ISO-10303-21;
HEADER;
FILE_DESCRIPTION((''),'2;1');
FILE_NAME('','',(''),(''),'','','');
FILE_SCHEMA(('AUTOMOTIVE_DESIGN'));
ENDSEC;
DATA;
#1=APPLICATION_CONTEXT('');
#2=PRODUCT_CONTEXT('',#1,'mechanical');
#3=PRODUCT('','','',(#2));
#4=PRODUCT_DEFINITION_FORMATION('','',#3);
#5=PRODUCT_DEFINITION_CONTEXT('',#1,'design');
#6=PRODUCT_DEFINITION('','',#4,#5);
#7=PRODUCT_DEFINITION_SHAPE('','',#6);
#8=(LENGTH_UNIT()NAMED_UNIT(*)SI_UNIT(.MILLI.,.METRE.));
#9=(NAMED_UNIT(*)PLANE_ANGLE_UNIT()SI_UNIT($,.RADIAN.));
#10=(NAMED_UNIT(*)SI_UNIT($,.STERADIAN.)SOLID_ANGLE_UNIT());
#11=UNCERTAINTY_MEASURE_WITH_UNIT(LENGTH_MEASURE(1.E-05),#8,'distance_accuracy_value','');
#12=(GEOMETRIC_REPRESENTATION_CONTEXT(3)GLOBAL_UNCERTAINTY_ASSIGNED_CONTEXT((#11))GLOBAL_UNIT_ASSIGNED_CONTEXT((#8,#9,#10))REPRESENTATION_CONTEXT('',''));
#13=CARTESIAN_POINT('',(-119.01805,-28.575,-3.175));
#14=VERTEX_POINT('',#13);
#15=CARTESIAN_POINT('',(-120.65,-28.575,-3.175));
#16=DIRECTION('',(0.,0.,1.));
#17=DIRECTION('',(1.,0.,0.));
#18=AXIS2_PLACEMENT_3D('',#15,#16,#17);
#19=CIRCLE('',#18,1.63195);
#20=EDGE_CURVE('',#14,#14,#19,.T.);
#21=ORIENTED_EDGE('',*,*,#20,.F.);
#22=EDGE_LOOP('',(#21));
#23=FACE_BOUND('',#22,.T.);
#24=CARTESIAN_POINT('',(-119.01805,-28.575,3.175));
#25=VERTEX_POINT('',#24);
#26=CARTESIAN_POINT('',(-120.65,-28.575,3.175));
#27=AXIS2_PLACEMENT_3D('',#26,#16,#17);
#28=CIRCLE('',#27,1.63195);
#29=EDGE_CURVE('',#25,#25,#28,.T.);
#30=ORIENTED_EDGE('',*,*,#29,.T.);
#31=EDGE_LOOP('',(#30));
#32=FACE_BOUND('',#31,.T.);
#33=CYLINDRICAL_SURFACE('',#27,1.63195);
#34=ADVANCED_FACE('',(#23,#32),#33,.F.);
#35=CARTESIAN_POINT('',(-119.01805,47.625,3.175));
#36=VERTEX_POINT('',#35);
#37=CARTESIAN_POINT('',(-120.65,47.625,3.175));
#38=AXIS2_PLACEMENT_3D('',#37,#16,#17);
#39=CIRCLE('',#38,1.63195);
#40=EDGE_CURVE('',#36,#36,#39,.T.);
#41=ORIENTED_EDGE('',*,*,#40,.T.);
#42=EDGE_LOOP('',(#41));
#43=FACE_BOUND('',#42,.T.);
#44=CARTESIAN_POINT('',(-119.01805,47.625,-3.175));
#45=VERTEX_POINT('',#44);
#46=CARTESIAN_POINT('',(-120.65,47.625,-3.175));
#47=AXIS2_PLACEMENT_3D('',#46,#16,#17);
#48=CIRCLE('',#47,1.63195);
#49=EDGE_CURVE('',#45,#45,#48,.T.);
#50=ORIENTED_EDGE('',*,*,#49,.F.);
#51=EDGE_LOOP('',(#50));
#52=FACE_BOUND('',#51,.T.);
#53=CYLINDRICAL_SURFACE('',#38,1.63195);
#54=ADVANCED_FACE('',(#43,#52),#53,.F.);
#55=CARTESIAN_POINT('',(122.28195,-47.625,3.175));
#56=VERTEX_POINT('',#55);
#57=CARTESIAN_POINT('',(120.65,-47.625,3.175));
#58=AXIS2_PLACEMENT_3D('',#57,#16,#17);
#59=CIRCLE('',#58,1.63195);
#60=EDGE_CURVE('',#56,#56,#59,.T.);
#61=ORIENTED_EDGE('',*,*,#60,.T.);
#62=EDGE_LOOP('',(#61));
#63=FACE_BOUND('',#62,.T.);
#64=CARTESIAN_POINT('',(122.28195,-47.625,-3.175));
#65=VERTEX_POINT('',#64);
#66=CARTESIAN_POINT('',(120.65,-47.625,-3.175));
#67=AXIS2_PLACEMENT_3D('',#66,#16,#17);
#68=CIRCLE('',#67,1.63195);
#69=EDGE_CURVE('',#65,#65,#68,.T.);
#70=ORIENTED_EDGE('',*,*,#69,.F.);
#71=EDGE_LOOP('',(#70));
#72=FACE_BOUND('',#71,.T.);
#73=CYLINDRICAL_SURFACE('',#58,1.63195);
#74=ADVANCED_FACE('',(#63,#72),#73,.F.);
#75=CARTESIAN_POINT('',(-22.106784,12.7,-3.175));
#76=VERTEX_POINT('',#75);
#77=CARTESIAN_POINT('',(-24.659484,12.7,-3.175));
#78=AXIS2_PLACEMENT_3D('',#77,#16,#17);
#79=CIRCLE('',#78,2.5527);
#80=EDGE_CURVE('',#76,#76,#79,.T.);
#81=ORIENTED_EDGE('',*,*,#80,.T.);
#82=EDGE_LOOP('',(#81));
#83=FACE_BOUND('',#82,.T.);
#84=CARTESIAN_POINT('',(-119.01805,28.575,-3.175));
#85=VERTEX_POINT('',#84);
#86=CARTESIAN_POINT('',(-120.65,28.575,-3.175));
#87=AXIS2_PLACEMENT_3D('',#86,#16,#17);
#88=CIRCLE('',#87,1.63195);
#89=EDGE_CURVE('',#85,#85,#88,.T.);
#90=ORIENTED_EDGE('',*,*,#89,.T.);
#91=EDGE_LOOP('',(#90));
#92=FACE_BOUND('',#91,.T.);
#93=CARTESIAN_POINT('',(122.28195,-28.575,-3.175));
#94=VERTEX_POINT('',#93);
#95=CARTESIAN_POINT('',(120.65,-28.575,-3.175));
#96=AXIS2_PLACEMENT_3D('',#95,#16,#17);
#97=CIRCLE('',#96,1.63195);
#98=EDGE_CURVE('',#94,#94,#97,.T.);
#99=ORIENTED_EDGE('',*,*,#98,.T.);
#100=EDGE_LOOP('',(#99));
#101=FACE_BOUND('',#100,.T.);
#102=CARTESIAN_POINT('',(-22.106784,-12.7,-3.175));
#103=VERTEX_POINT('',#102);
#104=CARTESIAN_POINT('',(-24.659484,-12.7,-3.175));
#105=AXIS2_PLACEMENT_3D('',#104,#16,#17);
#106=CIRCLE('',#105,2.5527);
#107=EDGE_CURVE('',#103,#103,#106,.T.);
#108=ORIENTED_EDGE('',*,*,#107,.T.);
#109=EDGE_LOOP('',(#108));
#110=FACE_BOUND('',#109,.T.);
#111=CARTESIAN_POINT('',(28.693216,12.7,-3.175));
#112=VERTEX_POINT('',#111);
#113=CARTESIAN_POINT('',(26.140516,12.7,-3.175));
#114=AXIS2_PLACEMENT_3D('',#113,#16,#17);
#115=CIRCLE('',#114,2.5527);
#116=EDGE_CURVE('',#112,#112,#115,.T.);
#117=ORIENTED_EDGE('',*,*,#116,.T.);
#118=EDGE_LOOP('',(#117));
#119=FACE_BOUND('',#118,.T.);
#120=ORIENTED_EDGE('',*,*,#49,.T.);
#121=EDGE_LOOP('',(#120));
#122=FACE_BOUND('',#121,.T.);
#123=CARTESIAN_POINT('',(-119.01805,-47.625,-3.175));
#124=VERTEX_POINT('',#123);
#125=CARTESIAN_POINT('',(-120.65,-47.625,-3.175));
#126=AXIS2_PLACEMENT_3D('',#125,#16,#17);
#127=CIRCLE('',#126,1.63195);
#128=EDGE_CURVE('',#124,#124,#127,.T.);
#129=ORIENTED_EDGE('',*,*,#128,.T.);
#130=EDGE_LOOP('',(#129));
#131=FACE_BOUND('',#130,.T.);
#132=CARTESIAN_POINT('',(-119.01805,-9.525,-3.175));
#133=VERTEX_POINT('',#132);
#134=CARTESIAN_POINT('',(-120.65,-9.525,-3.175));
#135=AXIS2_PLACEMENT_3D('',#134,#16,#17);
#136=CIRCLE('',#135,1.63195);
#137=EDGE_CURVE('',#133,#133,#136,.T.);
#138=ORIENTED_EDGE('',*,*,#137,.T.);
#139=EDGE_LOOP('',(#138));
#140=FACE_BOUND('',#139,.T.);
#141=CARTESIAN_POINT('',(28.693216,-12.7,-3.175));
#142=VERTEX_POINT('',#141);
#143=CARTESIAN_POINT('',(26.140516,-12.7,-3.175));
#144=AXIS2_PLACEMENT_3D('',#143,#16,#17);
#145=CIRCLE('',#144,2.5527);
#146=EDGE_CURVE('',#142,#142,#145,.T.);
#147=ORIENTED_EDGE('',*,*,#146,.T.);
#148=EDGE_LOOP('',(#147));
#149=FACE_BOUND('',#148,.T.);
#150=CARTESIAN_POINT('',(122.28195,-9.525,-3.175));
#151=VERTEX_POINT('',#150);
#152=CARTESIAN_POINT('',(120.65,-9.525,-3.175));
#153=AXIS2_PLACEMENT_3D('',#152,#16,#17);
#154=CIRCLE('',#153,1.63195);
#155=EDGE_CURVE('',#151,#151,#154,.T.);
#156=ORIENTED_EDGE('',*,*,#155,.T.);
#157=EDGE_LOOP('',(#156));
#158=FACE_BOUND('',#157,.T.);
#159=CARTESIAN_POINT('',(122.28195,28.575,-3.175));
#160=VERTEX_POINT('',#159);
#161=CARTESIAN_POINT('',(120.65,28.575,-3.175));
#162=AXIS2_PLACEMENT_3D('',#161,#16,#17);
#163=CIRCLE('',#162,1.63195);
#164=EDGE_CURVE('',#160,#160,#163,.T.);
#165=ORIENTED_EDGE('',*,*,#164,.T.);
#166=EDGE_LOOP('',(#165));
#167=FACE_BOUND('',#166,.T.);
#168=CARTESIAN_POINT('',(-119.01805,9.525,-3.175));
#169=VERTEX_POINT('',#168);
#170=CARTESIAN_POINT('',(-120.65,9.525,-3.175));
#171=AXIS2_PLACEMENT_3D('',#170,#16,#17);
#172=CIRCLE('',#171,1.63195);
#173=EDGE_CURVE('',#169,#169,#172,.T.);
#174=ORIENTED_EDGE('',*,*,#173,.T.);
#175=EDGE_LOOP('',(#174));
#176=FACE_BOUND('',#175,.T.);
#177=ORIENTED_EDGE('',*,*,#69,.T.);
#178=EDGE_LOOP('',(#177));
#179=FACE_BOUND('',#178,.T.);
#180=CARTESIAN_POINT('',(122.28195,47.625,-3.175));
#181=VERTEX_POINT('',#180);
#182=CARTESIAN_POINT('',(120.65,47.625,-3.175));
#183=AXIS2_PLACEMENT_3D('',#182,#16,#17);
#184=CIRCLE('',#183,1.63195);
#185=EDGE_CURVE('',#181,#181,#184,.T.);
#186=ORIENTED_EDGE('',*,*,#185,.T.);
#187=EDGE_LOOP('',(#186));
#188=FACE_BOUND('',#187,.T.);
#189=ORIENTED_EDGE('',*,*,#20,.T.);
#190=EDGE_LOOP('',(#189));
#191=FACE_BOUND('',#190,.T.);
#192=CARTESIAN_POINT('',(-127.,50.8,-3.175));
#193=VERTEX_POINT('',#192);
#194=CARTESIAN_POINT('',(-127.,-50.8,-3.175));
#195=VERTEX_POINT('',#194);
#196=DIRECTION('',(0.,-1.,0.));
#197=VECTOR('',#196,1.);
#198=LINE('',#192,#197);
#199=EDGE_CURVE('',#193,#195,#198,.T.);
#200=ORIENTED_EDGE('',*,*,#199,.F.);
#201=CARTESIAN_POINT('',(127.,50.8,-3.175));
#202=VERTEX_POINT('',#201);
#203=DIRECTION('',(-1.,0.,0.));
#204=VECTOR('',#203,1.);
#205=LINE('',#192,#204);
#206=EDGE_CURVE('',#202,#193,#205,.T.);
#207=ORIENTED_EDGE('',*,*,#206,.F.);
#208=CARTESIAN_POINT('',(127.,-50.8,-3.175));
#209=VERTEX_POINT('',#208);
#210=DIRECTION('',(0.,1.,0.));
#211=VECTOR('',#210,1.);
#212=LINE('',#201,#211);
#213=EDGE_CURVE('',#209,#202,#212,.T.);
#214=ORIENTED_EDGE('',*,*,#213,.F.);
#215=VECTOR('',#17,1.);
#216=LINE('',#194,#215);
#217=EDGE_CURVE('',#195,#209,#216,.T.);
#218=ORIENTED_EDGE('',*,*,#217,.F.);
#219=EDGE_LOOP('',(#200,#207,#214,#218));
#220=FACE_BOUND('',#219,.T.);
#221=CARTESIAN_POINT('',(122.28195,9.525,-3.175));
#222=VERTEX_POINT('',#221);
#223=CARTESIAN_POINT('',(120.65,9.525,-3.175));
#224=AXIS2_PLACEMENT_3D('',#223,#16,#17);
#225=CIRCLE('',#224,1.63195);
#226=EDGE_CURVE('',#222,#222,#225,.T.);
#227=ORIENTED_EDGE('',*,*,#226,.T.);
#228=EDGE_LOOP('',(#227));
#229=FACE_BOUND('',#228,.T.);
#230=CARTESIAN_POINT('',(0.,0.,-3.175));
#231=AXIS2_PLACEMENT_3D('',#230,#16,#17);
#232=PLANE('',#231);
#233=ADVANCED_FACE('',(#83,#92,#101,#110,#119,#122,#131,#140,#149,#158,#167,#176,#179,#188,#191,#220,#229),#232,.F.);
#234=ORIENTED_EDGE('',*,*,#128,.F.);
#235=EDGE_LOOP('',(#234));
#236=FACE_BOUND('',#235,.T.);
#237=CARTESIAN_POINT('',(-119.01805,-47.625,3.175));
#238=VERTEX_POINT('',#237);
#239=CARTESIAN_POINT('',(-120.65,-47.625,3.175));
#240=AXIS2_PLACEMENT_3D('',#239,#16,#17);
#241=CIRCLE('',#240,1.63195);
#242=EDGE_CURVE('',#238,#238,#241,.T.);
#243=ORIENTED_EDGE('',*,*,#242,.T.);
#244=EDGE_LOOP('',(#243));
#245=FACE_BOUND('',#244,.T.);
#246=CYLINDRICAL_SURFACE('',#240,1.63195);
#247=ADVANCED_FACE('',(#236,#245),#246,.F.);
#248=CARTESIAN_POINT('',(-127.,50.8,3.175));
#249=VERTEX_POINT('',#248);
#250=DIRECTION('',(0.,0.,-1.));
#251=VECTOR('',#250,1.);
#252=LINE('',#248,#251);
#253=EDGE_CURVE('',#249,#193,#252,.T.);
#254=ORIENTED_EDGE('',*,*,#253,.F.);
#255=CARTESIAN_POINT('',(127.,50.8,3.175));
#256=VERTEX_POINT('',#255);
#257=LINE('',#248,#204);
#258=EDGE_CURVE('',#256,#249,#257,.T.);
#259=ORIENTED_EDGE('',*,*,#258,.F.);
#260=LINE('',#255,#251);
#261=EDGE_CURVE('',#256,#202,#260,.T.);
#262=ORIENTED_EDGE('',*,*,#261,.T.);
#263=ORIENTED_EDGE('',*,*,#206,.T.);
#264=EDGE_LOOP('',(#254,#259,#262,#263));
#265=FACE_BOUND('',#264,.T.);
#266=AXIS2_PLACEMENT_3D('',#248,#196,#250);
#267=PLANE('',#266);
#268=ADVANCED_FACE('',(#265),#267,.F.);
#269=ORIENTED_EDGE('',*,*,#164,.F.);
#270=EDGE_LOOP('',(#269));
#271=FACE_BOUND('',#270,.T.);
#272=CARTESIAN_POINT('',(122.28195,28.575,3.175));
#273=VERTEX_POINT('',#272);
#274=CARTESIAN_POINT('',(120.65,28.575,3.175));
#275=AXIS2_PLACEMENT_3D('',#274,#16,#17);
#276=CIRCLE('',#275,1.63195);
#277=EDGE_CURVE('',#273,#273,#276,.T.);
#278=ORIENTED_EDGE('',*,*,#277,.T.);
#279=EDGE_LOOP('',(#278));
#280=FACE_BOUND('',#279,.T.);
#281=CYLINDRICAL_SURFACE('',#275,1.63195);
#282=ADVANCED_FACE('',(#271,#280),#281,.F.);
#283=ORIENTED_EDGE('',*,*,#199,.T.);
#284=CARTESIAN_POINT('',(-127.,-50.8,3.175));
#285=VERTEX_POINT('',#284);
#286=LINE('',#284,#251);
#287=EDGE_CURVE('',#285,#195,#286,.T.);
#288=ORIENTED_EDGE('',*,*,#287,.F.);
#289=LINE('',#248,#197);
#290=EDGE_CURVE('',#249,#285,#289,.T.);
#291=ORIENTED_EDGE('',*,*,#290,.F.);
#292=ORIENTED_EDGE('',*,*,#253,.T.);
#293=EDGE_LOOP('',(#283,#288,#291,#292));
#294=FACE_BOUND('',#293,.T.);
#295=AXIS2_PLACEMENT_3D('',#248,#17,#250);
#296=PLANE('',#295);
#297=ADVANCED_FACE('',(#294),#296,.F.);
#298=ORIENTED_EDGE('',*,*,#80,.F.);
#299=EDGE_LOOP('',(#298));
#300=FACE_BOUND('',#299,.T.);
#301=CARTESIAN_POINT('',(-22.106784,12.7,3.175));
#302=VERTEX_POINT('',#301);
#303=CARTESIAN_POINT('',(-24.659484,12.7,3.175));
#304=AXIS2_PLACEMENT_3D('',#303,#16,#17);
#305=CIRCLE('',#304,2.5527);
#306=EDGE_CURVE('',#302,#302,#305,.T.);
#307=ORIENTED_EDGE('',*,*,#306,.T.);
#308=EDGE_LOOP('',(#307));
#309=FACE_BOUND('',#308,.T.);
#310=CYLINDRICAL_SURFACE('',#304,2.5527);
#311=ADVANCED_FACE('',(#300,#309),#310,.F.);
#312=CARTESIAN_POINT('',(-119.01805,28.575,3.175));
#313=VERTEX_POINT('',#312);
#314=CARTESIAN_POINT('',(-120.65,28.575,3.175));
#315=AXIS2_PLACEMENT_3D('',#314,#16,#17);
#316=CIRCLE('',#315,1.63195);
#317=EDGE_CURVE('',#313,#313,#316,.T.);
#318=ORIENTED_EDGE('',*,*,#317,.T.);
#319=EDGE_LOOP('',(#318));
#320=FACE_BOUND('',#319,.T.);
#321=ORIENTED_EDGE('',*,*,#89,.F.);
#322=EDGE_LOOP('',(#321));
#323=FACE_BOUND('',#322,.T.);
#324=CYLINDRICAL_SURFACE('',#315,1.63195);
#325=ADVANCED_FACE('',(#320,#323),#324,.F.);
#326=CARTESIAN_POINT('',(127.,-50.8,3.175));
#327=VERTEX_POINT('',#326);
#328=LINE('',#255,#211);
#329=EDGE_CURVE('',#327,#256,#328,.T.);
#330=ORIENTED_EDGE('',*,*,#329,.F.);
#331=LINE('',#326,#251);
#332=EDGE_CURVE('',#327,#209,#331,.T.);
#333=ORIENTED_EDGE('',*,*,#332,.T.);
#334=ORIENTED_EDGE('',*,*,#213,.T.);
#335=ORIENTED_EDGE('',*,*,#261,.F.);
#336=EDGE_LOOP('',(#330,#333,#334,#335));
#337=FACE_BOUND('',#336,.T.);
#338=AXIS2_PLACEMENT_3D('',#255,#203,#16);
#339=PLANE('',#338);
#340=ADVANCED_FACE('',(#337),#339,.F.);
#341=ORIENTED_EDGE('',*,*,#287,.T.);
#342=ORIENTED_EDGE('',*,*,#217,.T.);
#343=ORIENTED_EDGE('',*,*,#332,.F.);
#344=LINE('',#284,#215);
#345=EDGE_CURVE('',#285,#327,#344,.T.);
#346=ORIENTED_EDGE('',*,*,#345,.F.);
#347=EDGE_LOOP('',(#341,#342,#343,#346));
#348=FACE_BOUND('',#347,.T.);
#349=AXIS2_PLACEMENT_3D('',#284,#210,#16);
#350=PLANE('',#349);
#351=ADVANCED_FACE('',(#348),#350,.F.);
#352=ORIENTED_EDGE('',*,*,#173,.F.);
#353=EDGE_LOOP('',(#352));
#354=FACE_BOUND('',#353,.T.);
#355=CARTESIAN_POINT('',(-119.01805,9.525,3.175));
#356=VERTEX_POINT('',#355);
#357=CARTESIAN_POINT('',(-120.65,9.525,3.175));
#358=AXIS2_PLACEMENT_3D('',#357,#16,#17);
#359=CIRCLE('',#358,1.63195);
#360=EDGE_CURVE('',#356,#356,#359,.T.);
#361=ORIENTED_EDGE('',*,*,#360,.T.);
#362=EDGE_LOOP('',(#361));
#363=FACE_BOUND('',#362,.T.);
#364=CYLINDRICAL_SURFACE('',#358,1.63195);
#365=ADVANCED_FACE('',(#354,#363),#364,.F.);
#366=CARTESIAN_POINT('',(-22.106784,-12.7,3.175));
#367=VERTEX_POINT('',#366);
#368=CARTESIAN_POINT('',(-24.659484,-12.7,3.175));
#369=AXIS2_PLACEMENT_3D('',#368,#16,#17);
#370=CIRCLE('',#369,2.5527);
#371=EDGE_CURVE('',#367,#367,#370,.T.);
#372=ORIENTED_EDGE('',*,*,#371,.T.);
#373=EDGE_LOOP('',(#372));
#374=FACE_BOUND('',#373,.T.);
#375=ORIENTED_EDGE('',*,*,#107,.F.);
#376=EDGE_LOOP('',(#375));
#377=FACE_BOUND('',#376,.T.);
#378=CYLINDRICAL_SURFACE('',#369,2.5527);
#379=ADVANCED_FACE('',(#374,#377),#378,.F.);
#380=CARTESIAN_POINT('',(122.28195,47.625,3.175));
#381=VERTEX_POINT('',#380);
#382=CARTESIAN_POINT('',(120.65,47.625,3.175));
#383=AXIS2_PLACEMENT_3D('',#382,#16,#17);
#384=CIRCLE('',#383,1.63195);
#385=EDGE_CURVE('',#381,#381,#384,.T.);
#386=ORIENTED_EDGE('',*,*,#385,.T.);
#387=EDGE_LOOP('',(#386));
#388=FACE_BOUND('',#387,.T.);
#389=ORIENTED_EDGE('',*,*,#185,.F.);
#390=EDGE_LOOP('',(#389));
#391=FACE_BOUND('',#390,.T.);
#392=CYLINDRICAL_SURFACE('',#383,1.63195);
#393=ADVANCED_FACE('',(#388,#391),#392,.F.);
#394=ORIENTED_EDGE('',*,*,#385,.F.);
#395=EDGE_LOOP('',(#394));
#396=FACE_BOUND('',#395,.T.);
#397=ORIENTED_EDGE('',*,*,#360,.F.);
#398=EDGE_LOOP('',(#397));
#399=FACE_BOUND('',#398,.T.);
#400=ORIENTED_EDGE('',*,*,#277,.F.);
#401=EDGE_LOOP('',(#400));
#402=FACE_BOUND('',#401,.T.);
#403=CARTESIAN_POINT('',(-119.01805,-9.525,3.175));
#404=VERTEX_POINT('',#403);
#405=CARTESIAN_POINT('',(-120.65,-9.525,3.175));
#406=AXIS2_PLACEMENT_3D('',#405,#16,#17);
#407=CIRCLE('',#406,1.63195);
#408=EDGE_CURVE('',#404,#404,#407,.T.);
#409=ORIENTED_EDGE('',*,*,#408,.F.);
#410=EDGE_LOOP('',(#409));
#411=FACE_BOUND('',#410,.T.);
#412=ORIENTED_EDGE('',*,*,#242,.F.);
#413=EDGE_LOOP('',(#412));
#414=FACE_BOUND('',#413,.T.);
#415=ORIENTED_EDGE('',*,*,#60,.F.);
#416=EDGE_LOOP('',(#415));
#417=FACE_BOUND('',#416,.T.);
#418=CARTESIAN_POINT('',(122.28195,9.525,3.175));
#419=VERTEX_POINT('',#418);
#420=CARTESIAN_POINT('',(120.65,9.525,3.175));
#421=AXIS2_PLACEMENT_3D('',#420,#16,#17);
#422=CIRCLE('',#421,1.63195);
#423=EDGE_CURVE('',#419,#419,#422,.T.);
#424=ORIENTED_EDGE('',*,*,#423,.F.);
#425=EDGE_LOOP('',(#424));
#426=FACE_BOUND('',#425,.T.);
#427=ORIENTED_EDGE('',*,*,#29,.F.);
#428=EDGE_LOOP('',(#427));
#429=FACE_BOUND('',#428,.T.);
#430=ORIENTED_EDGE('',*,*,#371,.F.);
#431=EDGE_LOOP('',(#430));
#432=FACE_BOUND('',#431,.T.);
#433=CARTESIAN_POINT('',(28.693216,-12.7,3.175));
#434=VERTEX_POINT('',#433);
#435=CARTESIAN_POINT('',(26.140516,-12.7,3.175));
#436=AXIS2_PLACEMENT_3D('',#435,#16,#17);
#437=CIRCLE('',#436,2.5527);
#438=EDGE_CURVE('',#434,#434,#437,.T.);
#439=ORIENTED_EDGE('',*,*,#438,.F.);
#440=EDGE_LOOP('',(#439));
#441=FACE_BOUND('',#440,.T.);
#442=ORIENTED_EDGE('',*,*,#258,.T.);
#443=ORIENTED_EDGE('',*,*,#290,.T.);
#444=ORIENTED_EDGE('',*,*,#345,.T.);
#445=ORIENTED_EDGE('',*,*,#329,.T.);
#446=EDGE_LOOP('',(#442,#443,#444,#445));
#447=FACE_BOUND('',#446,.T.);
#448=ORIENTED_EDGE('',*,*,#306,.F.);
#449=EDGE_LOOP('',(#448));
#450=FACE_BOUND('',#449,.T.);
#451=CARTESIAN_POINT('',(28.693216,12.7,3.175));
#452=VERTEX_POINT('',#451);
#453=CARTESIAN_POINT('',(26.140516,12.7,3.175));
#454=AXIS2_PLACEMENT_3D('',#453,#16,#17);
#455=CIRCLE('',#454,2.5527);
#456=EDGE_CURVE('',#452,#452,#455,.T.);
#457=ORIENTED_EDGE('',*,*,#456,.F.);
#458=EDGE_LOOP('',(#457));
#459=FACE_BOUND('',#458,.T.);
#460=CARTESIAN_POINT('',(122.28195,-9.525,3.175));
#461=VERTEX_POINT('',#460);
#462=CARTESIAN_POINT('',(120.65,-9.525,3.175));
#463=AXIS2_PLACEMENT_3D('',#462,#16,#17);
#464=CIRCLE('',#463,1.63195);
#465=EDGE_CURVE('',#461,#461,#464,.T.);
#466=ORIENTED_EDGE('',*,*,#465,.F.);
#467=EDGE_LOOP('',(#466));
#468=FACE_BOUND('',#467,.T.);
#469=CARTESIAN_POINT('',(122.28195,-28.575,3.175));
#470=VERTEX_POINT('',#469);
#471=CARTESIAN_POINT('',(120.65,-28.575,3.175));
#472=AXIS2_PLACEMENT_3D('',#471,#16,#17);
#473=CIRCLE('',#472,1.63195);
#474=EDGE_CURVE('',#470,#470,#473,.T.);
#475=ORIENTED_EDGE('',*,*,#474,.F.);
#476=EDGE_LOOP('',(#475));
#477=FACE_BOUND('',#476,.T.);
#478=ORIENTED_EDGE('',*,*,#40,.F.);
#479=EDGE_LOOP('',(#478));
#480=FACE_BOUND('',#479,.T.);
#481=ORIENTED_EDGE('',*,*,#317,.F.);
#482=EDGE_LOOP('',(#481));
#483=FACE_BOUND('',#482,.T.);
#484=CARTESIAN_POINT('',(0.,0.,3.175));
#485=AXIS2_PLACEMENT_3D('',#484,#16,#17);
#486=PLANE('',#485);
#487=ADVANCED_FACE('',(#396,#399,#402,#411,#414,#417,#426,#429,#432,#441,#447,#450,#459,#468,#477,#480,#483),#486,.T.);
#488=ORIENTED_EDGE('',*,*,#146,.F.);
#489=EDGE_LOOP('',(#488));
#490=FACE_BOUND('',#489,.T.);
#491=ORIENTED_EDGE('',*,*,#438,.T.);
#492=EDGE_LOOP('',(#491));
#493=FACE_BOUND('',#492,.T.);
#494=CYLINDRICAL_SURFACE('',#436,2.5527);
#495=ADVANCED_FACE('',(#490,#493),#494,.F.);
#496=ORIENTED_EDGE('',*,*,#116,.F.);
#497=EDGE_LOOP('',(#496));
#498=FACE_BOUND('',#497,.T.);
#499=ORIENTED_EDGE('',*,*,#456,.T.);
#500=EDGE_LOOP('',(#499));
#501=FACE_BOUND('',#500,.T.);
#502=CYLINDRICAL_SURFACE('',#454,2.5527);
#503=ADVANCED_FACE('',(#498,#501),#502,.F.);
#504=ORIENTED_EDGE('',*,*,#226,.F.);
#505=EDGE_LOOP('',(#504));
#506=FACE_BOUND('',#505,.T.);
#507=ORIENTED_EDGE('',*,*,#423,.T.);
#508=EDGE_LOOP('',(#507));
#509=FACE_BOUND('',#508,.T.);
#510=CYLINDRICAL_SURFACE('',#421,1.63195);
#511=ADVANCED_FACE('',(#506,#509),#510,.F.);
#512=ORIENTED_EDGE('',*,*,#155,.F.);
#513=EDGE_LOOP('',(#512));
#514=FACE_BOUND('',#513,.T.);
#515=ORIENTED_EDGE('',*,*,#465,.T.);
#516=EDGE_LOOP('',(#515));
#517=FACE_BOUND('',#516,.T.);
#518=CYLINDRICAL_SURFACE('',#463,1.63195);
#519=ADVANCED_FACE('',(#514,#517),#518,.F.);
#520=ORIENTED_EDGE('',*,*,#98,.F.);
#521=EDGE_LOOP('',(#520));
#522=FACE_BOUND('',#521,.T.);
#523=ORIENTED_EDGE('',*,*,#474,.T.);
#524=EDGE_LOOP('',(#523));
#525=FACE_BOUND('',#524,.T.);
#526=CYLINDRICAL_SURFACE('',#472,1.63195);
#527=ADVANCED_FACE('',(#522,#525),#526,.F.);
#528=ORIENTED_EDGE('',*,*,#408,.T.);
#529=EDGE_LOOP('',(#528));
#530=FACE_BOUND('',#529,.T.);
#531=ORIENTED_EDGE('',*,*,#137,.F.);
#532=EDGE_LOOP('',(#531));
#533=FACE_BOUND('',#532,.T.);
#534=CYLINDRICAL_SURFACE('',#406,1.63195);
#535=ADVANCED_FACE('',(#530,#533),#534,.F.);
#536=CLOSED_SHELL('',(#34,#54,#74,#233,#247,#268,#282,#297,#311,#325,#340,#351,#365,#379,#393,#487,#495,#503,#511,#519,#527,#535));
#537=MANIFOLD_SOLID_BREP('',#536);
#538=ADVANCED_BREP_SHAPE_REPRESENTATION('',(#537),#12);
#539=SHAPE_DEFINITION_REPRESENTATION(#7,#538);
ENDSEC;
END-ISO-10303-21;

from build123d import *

# Parameters (mm, degrees)
SKETCH1_W              = 254
SKETCH1_H              = 101.6
BOSS_EXTRUDE1_DEPTH    = 3.175
F_4_CLEARANCE_HOLE1_D  = 3.2639
F_10_CLEARANCE_HOLE1_D = 5.1054


with BuildPart() as part:
    # Sketch1 → Boss-Extrude1 (new, symmetric)
    with BuildSketch(Plane.XY):
        Rectangle(SKETCH1_W, SKETCH1_H)
    extrude(amount=BOSS_EXTRUDE1_DEPTH, both=True)

    # #4 Clearance Hole1 (through all)
    with Locations(Plane.XY.offset(3.175)):
        with Locations((-120.65, 47.625), (-120.65, 28.575), (-120.65, 9.525), (-120.65, -9.525), (-120.65, -28.575), (-120.65, -47.625)):
            f_4_clearance_hole1 = Hole(F_4_CLEARANCE_HOLE1_D / 2)

    # Mirror1: #4 Clearance Hole1 across plane
    add(f_4_clearance_hole1.mirror(Plane(origin=(0, 0, 0), x_dir=(0, 0, 1), z_dir=(1, 0, 0))), mode=Mode.SUBTRACT)

    # #10 Clearance Hole1 (through all)
    with Locations(Plane.XY.offset(3.175)):
        with Locations((-24.659484021, 12.7), (26.140515979, 12.7), (26.140515979, -12.7), (-24.659484021, -12.7)):
            Hole(F_10_CLEARANCE_HOLE1_D / 2)


solid = part.part
